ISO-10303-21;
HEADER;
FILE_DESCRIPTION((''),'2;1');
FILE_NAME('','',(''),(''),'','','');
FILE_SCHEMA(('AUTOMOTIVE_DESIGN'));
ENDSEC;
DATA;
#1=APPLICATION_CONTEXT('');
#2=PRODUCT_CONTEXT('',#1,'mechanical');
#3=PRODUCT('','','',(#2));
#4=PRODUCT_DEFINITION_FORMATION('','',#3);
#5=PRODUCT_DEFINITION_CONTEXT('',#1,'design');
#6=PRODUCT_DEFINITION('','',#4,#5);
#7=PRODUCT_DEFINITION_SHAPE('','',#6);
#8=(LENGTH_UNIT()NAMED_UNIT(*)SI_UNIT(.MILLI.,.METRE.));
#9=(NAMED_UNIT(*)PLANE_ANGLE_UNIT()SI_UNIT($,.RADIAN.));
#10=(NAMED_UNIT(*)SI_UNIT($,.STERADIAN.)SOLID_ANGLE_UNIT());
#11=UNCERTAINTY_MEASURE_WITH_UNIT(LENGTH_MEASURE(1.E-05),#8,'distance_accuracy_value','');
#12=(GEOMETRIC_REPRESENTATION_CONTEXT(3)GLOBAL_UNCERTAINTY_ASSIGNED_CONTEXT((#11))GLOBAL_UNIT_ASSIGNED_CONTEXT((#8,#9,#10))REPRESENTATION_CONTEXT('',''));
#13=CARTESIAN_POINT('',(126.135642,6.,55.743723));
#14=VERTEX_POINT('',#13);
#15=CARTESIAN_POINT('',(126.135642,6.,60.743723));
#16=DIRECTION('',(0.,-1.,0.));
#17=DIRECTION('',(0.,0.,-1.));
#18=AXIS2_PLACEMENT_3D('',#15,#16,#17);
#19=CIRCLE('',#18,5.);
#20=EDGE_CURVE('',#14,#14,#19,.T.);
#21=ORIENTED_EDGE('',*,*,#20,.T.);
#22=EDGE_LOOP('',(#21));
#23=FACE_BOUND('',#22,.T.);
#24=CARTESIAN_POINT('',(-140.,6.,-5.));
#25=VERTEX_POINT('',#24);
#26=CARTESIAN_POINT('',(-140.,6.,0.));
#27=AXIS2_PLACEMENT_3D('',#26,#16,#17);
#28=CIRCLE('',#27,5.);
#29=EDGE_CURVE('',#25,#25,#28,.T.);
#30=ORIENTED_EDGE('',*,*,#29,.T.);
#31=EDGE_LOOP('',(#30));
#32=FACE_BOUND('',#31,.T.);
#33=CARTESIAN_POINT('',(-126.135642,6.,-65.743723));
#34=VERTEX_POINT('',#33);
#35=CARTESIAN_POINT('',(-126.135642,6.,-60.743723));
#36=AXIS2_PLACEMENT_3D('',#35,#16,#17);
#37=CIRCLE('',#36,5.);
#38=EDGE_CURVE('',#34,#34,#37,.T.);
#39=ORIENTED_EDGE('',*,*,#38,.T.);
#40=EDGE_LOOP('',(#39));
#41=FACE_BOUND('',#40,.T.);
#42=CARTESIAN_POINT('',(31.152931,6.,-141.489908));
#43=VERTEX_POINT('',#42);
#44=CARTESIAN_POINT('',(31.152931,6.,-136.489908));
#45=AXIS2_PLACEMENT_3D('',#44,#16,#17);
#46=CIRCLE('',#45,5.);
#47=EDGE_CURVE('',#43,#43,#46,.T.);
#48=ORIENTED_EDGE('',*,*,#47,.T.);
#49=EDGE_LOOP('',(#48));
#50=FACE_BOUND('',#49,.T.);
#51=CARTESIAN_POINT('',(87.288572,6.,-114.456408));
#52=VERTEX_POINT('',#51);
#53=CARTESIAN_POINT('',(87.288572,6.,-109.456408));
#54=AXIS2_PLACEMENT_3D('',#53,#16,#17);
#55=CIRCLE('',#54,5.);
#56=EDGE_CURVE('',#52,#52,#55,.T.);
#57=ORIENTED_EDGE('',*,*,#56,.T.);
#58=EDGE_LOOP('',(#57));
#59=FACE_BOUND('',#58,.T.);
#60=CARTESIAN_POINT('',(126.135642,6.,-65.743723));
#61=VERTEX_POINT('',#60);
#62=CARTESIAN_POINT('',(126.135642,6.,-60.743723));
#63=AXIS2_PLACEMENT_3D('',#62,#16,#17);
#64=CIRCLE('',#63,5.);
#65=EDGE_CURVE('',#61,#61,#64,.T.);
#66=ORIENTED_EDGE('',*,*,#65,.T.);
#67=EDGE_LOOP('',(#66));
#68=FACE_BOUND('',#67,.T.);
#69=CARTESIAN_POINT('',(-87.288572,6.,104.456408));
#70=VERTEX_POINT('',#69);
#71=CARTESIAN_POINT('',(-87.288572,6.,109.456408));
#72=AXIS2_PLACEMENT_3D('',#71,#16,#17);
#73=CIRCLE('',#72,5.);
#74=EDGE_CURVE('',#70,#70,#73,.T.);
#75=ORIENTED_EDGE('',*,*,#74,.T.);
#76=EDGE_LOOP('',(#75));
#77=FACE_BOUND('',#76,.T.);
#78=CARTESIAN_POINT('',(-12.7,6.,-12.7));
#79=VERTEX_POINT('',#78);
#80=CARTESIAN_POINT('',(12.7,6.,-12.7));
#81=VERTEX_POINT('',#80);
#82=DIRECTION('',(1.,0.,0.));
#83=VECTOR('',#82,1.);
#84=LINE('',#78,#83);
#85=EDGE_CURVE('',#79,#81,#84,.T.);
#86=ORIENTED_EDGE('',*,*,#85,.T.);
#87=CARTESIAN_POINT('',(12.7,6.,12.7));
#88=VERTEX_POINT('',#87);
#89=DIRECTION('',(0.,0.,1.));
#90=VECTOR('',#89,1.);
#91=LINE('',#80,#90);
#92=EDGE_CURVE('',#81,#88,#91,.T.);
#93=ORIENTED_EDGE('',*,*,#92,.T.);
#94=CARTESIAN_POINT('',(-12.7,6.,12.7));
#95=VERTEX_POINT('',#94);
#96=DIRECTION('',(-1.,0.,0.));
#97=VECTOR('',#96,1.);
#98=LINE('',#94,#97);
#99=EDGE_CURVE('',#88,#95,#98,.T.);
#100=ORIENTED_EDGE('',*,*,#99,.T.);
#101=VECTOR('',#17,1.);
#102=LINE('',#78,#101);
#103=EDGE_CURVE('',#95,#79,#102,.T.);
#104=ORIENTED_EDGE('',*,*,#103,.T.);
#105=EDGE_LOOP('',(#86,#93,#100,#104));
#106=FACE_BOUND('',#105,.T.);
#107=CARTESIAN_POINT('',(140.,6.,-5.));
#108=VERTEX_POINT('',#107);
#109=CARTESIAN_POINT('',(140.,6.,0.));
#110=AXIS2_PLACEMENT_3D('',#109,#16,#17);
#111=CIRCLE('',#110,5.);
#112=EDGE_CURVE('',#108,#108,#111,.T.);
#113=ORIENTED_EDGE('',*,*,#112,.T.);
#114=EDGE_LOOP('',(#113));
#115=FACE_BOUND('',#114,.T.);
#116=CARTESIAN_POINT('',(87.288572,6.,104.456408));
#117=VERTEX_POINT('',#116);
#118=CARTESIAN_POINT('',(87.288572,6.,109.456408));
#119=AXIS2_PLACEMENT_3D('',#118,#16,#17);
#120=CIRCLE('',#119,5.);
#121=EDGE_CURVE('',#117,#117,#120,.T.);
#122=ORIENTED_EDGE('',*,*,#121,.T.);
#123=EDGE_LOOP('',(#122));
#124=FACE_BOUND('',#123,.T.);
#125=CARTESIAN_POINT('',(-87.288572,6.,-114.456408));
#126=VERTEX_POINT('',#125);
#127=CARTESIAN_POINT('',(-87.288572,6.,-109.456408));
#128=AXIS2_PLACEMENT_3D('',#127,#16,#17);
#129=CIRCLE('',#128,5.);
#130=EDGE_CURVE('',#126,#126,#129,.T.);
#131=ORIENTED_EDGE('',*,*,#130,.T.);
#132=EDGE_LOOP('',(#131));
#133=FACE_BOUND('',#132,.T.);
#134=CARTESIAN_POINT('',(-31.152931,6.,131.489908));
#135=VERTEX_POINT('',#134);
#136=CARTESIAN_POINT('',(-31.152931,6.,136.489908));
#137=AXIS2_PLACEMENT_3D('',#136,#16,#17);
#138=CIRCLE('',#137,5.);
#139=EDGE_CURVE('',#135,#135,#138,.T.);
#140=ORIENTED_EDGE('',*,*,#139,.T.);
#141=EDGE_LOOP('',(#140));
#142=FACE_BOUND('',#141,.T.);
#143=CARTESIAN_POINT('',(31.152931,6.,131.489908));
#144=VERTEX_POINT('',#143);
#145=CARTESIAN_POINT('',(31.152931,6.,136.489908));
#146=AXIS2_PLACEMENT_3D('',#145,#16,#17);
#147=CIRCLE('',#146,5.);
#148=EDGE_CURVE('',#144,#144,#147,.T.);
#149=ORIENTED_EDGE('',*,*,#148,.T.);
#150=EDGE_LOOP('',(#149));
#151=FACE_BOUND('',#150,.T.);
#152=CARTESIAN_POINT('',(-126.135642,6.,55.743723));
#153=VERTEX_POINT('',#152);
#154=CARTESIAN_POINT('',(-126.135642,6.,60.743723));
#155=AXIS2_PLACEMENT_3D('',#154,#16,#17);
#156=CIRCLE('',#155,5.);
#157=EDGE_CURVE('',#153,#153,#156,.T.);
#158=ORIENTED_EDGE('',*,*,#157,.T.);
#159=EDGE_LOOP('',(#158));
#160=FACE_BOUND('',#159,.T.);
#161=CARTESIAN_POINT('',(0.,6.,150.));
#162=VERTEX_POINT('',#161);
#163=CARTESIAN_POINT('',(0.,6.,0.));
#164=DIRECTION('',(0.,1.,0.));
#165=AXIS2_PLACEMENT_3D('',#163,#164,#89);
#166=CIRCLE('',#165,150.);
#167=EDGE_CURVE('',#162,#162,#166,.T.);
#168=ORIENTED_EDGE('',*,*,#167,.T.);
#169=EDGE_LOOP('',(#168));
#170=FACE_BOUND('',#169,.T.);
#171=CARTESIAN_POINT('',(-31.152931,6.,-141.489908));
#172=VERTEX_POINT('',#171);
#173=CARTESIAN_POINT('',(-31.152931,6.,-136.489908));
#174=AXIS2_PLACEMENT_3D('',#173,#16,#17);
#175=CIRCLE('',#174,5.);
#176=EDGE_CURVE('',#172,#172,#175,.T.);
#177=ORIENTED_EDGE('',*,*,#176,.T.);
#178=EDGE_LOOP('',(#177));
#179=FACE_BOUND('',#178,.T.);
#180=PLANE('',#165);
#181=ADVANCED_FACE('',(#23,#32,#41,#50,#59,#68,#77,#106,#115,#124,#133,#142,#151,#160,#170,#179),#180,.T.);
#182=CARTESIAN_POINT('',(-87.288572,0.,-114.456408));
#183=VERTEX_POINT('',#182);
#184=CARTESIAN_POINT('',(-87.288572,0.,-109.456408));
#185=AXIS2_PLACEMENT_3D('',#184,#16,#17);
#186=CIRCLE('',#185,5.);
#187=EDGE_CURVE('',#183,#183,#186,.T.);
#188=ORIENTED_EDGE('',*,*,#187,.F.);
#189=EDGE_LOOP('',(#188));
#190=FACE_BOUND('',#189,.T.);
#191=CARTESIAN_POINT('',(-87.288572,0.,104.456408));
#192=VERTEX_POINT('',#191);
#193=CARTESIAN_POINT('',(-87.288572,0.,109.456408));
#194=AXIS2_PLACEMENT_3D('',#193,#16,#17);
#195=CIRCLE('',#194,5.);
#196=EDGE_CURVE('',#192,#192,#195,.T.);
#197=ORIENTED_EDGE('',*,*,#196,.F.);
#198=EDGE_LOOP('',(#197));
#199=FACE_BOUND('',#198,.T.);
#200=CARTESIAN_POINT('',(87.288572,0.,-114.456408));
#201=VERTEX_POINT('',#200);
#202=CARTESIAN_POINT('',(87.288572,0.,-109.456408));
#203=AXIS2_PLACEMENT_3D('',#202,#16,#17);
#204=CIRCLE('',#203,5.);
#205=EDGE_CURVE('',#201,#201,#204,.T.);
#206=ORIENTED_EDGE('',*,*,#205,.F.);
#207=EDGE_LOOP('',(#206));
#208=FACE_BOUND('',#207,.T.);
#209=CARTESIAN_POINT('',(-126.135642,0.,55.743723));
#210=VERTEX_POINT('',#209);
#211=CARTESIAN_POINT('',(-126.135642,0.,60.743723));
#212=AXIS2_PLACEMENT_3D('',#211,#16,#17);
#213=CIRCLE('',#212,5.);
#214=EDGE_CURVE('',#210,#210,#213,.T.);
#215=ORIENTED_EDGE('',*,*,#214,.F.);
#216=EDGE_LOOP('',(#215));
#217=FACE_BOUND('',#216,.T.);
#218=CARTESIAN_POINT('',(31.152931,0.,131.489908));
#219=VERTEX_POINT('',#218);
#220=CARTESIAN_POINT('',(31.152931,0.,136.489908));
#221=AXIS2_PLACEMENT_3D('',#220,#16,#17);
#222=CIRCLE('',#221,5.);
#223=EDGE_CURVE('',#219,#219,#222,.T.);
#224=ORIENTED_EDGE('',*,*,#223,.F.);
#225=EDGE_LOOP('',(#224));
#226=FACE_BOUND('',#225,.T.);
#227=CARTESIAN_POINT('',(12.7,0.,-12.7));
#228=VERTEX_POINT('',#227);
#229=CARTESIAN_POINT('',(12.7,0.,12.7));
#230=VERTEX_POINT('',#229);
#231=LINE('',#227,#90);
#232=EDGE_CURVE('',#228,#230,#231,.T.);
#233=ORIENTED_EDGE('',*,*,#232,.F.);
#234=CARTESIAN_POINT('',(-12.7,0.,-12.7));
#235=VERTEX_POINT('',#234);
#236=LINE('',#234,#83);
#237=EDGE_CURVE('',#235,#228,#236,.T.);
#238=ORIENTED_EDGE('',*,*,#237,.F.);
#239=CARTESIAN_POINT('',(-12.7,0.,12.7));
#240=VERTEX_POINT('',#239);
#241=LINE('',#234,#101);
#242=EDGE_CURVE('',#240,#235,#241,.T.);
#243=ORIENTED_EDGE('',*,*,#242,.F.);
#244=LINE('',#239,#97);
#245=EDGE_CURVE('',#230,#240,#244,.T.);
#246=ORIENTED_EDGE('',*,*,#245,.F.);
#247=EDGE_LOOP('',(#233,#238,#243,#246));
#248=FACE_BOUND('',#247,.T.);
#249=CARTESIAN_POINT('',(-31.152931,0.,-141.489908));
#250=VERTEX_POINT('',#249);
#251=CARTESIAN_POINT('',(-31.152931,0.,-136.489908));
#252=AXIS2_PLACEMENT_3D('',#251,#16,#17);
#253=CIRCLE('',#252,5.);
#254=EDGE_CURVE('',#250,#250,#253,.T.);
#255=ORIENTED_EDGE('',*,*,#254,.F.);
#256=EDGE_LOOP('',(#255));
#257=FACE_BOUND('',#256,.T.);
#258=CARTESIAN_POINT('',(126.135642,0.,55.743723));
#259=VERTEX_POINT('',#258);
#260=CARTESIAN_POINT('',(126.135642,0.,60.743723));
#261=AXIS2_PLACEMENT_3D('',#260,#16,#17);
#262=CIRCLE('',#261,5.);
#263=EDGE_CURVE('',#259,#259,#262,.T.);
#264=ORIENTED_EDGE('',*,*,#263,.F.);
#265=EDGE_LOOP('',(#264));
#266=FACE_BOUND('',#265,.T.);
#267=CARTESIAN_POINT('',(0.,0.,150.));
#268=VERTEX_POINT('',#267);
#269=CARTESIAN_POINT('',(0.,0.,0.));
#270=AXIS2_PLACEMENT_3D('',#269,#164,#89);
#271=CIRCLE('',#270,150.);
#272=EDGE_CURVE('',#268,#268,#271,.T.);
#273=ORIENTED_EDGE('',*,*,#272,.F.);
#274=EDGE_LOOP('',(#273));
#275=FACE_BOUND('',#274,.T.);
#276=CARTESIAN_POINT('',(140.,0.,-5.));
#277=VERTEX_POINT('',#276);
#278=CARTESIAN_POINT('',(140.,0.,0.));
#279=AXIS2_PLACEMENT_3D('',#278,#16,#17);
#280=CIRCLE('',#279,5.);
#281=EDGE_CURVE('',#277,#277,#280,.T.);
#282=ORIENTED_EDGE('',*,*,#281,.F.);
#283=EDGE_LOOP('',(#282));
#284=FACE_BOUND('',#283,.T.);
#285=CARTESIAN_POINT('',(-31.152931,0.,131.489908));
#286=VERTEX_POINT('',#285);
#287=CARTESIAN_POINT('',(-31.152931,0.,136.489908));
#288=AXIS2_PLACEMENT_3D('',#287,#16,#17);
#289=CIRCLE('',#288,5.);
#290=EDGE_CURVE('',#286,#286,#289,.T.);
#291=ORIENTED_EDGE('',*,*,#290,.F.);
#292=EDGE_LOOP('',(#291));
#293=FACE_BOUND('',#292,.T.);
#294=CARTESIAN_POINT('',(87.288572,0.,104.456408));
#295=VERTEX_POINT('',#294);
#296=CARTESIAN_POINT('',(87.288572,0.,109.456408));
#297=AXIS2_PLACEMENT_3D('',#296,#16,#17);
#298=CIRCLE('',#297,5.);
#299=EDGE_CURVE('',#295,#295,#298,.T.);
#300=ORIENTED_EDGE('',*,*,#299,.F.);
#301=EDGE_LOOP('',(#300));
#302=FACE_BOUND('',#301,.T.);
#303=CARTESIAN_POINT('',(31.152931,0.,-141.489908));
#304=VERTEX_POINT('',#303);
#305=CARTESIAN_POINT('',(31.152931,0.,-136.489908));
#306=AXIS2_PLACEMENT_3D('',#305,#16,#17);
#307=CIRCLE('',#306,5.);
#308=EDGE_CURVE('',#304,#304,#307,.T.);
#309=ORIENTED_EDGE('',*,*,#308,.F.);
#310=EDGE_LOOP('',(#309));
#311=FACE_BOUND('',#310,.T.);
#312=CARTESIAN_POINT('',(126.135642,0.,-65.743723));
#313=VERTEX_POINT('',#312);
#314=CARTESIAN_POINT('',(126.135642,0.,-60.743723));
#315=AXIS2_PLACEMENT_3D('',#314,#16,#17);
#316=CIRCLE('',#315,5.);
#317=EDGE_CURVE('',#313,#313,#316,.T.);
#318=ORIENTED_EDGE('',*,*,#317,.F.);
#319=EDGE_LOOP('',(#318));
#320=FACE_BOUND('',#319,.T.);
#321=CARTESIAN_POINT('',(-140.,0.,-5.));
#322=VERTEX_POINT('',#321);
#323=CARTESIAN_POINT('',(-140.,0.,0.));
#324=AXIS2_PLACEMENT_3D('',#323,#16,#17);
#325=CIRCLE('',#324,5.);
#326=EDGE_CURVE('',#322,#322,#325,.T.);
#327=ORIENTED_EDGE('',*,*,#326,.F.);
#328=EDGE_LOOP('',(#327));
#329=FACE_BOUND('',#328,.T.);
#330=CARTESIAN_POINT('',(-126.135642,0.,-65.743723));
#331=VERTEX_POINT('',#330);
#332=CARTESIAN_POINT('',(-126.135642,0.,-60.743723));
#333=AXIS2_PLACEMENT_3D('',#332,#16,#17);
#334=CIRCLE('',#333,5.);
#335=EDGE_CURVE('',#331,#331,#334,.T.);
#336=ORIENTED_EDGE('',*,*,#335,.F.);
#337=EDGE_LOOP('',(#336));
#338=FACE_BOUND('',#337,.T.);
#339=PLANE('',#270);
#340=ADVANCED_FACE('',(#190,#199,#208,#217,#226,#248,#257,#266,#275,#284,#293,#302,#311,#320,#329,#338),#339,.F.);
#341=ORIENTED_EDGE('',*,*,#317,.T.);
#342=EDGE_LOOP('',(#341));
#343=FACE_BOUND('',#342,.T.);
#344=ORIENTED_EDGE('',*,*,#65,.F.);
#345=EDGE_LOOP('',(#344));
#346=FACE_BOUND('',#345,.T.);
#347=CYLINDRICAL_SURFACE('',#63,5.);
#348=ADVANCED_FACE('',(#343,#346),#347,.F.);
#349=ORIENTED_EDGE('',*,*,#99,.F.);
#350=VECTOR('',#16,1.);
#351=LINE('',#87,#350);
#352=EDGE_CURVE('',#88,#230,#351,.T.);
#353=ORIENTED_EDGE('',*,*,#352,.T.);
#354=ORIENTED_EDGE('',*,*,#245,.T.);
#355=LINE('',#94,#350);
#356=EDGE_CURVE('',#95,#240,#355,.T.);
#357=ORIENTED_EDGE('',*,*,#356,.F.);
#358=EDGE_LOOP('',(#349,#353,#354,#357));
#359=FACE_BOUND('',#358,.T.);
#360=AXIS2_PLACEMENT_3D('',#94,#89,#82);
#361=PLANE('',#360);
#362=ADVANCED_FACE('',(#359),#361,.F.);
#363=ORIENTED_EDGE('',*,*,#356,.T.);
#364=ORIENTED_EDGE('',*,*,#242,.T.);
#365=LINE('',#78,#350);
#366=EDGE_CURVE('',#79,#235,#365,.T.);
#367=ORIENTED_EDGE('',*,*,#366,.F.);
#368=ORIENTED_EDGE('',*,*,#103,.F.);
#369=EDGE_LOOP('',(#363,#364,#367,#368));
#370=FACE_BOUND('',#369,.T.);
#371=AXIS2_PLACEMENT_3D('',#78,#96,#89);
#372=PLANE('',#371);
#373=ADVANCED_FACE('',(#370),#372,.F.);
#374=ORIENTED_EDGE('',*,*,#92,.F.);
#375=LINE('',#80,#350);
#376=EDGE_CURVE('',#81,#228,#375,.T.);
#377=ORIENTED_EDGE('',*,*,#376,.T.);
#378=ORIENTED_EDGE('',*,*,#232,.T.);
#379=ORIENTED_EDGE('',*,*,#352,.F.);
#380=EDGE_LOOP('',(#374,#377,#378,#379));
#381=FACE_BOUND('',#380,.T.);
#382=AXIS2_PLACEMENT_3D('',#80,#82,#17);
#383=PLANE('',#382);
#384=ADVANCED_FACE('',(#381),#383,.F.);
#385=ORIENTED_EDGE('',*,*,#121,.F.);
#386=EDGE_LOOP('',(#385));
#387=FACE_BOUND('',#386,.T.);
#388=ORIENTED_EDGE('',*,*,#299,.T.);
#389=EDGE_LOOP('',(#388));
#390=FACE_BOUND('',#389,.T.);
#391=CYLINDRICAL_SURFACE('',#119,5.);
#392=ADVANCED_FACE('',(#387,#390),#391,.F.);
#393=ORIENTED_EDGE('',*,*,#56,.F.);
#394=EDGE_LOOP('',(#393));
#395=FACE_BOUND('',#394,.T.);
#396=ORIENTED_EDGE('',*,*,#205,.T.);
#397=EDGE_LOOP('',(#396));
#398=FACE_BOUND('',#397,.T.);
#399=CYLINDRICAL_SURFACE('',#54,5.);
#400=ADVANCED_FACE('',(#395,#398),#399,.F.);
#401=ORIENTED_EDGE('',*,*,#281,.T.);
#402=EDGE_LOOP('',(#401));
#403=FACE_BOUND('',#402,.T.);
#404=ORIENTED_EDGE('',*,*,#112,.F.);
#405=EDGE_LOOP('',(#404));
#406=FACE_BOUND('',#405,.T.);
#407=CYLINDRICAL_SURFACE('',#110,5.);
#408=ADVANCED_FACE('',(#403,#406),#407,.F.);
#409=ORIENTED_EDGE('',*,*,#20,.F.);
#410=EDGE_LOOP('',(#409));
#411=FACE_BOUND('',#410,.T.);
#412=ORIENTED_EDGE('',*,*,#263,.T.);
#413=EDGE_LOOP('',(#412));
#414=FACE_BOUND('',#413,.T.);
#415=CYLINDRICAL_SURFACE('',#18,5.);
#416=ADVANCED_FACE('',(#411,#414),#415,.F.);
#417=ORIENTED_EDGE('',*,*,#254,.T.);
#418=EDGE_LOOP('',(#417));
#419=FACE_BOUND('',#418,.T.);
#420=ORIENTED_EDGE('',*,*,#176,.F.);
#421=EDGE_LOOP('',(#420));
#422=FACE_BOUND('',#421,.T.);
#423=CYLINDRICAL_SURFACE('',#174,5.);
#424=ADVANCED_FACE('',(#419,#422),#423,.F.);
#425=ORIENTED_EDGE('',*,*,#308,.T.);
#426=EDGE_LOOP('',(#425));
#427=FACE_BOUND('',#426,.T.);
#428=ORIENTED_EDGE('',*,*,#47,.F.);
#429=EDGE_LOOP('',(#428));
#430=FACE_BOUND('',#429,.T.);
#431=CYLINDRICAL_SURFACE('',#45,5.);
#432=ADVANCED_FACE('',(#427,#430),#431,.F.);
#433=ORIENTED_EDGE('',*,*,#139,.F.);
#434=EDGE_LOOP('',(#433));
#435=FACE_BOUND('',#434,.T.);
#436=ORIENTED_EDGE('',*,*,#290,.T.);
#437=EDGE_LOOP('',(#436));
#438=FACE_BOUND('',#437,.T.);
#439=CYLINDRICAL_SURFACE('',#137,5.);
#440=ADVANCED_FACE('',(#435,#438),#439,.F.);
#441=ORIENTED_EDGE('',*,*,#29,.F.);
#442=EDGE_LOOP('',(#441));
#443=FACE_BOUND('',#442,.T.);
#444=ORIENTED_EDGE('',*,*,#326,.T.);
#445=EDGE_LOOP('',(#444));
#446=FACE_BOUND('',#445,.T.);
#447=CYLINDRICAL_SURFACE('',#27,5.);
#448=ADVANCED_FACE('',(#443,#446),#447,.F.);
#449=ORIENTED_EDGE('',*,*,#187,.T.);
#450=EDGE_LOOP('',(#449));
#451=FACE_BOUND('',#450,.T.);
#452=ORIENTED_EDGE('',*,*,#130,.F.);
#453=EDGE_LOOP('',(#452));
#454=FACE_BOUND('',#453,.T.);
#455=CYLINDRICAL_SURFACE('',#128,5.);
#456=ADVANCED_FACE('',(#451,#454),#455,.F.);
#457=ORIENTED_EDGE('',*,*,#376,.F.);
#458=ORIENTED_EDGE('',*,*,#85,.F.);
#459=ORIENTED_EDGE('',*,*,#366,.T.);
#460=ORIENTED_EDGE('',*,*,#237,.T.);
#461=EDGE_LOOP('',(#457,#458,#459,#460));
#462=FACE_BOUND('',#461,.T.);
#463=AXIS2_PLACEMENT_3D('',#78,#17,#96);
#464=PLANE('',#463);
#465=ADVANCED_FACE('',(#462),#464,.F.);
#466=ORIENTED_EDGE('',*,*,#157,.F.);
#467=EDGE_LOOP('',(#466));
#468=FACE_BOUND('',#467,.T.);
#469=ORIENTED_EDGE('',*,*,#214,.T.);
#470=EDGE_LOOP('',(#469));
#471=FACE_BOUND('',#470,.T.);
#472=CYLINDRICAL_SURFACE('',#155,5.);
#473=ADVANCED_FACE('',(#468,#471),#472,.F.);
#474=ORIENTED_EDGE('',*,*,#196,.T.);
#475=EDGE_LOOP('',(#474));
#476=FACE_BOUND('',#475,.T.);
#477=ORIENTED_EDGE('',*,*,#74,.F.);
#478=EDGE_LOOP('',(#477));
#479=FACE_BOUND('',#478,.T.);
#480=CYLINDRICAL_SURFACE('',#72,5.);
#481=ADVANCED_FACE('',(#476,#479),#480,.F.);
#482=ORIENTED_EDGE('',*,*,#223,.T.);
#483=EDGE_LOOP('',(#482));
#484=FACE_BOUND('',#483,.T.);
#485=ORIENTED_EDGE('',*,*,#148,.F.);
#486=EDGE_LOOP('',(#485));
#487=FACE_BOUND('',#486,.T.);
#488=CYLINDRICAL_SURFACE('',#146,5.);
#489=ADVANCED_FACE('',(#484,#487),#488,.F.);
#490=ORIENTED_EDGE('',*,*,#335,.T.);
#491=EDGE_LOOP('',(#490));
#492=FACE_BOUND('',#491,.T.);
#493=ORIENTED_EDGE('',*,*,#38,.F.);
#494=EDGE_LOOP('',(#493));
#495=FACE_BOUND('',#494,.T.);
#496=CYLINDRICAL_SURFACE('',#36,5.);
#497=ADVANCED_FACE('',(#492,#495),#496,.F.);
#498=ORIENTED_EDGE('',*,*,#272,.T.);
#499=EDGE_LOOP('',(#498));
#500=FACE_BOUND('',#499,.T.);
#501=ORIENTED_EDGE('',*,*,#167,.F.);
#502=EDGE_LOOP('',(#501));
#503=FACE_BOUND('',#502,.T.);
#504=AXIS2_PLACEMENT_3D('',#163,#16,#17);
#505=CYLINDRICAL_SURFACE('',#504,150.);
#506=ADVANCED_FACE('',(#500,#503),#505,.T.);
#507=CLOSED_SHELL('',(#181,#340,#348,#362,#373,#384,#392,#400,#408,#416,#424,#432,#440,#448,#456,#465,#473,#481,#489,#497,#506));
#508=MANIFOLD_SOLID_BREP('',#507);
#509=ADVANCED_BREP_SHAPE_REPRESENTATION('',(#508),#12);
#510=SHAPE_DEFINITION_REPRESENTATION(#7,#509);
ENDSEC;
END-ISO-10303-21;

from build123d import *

# Parameters (mm, degrees)
CROQUIS1_R              = 150
SALIENTE_EXTRUIR1_DEPTH = 6
CROQUIS2_R              = 5
CORTAR_EXTRUIR1_DEPTH   = 213.216870206
CROQUIS4_W              = 25.4
CROQUIS4_H              = 25.4
CORTAR_EXTRUIR2_DEPTH   = 213.216870206


with BuildPart() as part:
    # Croquis1 → Saliente-Extruir1 (new body)
    with BuildSketch(Plane(origin=(0, 0, 0), x_dir=(1, 0, 0), z_dir=(0, 1, 0))):
        with Locations(Location((0, 0, 0), (0, 0, 270))):
            Circle(CROQUIS1_R)
    extrude(amount=SALIENTE_EXTRUIR1_DEPTH)

    # Croquis2 → Cortar-Extruir1 (cut, through all)
    with BuildSketch(Plane.XZ):
        with Locations(Location((140, 0, 0), (0, 0, 270))):
            Circle(CROQUIS2_R)
        with Locations(Location((126.135641506, -60.743723476, 0), (0, 0, 270))):
            Circle(CROQUIS2_R)
        with Locations(Location((87.28857226, -109.456407546, 0), (0, 0, 270))):
            Circle(CROQUIS2_R)
        with Locations(Location((31.152930754, -136.489907705, 0), (0, 0, 270))):
            Circle(CROQUIS2_R)
        with Locations(Location((-31.152930754, -136.489907705, 0), (0, 0, 270))):
            Circle(CROQUIS2_R)
        with Locations(Location((-87.28857226, -109.456407546, 0), (0, 0, 270))):
            Circle(CROQUIS2_R)
        with Locations(Location((-126.135641506, -60.743723476, 0), (0, 0, 270))):
            Circle(CROQUIS2_R)
        with Locations(Location((-140, 0, 0), (0, 0, 270))):
            Circle(CROQUIS2_R)
        with Locations(Location((-126.135641506, 60.743723476, 0), (0, 0, 270))):
            Circle(CROQUIS2_R)
        with Locations(Location((-87.28857226, 109.456407546, 0), (0, 0, 270))):
            Circle(CROQUIS2_R)
        with Locations(Location((-31.152930754, 136.489907705, 0), (0, 0, 270))):
            Circle(CROQUIS2_R)
        with Locations(Location((31.152930754, 136.489907705, 0), (0, 0, 270))):
            Circle(CROQUIS2_R)
        with Locations(Location((87.28857226, 109.456407546, 0), (0, 0, 270))):
            Circle(CROQUIS2_R)
        with Locations(Location((126.135641506, 60.743723476, 0), (0, 0, 270))):
            Circle(CROQUIS2_R)
    extrude(amount=-CORTAR_EXTRUIR1_DEPTH, mode=Mode.SUBTRACT)

    # Croquis4 → Cortar-Extruir2 (cut, through all)
    with BuildSketch(Plane.XZ):
        Rectangle(CROQUIS4_W, CROQUIS4_H)
    extrude(amount=-CORTAR_EXTRUIR2_DEPTH, mode=Mode.SUBTRACT)


solid = part.part
